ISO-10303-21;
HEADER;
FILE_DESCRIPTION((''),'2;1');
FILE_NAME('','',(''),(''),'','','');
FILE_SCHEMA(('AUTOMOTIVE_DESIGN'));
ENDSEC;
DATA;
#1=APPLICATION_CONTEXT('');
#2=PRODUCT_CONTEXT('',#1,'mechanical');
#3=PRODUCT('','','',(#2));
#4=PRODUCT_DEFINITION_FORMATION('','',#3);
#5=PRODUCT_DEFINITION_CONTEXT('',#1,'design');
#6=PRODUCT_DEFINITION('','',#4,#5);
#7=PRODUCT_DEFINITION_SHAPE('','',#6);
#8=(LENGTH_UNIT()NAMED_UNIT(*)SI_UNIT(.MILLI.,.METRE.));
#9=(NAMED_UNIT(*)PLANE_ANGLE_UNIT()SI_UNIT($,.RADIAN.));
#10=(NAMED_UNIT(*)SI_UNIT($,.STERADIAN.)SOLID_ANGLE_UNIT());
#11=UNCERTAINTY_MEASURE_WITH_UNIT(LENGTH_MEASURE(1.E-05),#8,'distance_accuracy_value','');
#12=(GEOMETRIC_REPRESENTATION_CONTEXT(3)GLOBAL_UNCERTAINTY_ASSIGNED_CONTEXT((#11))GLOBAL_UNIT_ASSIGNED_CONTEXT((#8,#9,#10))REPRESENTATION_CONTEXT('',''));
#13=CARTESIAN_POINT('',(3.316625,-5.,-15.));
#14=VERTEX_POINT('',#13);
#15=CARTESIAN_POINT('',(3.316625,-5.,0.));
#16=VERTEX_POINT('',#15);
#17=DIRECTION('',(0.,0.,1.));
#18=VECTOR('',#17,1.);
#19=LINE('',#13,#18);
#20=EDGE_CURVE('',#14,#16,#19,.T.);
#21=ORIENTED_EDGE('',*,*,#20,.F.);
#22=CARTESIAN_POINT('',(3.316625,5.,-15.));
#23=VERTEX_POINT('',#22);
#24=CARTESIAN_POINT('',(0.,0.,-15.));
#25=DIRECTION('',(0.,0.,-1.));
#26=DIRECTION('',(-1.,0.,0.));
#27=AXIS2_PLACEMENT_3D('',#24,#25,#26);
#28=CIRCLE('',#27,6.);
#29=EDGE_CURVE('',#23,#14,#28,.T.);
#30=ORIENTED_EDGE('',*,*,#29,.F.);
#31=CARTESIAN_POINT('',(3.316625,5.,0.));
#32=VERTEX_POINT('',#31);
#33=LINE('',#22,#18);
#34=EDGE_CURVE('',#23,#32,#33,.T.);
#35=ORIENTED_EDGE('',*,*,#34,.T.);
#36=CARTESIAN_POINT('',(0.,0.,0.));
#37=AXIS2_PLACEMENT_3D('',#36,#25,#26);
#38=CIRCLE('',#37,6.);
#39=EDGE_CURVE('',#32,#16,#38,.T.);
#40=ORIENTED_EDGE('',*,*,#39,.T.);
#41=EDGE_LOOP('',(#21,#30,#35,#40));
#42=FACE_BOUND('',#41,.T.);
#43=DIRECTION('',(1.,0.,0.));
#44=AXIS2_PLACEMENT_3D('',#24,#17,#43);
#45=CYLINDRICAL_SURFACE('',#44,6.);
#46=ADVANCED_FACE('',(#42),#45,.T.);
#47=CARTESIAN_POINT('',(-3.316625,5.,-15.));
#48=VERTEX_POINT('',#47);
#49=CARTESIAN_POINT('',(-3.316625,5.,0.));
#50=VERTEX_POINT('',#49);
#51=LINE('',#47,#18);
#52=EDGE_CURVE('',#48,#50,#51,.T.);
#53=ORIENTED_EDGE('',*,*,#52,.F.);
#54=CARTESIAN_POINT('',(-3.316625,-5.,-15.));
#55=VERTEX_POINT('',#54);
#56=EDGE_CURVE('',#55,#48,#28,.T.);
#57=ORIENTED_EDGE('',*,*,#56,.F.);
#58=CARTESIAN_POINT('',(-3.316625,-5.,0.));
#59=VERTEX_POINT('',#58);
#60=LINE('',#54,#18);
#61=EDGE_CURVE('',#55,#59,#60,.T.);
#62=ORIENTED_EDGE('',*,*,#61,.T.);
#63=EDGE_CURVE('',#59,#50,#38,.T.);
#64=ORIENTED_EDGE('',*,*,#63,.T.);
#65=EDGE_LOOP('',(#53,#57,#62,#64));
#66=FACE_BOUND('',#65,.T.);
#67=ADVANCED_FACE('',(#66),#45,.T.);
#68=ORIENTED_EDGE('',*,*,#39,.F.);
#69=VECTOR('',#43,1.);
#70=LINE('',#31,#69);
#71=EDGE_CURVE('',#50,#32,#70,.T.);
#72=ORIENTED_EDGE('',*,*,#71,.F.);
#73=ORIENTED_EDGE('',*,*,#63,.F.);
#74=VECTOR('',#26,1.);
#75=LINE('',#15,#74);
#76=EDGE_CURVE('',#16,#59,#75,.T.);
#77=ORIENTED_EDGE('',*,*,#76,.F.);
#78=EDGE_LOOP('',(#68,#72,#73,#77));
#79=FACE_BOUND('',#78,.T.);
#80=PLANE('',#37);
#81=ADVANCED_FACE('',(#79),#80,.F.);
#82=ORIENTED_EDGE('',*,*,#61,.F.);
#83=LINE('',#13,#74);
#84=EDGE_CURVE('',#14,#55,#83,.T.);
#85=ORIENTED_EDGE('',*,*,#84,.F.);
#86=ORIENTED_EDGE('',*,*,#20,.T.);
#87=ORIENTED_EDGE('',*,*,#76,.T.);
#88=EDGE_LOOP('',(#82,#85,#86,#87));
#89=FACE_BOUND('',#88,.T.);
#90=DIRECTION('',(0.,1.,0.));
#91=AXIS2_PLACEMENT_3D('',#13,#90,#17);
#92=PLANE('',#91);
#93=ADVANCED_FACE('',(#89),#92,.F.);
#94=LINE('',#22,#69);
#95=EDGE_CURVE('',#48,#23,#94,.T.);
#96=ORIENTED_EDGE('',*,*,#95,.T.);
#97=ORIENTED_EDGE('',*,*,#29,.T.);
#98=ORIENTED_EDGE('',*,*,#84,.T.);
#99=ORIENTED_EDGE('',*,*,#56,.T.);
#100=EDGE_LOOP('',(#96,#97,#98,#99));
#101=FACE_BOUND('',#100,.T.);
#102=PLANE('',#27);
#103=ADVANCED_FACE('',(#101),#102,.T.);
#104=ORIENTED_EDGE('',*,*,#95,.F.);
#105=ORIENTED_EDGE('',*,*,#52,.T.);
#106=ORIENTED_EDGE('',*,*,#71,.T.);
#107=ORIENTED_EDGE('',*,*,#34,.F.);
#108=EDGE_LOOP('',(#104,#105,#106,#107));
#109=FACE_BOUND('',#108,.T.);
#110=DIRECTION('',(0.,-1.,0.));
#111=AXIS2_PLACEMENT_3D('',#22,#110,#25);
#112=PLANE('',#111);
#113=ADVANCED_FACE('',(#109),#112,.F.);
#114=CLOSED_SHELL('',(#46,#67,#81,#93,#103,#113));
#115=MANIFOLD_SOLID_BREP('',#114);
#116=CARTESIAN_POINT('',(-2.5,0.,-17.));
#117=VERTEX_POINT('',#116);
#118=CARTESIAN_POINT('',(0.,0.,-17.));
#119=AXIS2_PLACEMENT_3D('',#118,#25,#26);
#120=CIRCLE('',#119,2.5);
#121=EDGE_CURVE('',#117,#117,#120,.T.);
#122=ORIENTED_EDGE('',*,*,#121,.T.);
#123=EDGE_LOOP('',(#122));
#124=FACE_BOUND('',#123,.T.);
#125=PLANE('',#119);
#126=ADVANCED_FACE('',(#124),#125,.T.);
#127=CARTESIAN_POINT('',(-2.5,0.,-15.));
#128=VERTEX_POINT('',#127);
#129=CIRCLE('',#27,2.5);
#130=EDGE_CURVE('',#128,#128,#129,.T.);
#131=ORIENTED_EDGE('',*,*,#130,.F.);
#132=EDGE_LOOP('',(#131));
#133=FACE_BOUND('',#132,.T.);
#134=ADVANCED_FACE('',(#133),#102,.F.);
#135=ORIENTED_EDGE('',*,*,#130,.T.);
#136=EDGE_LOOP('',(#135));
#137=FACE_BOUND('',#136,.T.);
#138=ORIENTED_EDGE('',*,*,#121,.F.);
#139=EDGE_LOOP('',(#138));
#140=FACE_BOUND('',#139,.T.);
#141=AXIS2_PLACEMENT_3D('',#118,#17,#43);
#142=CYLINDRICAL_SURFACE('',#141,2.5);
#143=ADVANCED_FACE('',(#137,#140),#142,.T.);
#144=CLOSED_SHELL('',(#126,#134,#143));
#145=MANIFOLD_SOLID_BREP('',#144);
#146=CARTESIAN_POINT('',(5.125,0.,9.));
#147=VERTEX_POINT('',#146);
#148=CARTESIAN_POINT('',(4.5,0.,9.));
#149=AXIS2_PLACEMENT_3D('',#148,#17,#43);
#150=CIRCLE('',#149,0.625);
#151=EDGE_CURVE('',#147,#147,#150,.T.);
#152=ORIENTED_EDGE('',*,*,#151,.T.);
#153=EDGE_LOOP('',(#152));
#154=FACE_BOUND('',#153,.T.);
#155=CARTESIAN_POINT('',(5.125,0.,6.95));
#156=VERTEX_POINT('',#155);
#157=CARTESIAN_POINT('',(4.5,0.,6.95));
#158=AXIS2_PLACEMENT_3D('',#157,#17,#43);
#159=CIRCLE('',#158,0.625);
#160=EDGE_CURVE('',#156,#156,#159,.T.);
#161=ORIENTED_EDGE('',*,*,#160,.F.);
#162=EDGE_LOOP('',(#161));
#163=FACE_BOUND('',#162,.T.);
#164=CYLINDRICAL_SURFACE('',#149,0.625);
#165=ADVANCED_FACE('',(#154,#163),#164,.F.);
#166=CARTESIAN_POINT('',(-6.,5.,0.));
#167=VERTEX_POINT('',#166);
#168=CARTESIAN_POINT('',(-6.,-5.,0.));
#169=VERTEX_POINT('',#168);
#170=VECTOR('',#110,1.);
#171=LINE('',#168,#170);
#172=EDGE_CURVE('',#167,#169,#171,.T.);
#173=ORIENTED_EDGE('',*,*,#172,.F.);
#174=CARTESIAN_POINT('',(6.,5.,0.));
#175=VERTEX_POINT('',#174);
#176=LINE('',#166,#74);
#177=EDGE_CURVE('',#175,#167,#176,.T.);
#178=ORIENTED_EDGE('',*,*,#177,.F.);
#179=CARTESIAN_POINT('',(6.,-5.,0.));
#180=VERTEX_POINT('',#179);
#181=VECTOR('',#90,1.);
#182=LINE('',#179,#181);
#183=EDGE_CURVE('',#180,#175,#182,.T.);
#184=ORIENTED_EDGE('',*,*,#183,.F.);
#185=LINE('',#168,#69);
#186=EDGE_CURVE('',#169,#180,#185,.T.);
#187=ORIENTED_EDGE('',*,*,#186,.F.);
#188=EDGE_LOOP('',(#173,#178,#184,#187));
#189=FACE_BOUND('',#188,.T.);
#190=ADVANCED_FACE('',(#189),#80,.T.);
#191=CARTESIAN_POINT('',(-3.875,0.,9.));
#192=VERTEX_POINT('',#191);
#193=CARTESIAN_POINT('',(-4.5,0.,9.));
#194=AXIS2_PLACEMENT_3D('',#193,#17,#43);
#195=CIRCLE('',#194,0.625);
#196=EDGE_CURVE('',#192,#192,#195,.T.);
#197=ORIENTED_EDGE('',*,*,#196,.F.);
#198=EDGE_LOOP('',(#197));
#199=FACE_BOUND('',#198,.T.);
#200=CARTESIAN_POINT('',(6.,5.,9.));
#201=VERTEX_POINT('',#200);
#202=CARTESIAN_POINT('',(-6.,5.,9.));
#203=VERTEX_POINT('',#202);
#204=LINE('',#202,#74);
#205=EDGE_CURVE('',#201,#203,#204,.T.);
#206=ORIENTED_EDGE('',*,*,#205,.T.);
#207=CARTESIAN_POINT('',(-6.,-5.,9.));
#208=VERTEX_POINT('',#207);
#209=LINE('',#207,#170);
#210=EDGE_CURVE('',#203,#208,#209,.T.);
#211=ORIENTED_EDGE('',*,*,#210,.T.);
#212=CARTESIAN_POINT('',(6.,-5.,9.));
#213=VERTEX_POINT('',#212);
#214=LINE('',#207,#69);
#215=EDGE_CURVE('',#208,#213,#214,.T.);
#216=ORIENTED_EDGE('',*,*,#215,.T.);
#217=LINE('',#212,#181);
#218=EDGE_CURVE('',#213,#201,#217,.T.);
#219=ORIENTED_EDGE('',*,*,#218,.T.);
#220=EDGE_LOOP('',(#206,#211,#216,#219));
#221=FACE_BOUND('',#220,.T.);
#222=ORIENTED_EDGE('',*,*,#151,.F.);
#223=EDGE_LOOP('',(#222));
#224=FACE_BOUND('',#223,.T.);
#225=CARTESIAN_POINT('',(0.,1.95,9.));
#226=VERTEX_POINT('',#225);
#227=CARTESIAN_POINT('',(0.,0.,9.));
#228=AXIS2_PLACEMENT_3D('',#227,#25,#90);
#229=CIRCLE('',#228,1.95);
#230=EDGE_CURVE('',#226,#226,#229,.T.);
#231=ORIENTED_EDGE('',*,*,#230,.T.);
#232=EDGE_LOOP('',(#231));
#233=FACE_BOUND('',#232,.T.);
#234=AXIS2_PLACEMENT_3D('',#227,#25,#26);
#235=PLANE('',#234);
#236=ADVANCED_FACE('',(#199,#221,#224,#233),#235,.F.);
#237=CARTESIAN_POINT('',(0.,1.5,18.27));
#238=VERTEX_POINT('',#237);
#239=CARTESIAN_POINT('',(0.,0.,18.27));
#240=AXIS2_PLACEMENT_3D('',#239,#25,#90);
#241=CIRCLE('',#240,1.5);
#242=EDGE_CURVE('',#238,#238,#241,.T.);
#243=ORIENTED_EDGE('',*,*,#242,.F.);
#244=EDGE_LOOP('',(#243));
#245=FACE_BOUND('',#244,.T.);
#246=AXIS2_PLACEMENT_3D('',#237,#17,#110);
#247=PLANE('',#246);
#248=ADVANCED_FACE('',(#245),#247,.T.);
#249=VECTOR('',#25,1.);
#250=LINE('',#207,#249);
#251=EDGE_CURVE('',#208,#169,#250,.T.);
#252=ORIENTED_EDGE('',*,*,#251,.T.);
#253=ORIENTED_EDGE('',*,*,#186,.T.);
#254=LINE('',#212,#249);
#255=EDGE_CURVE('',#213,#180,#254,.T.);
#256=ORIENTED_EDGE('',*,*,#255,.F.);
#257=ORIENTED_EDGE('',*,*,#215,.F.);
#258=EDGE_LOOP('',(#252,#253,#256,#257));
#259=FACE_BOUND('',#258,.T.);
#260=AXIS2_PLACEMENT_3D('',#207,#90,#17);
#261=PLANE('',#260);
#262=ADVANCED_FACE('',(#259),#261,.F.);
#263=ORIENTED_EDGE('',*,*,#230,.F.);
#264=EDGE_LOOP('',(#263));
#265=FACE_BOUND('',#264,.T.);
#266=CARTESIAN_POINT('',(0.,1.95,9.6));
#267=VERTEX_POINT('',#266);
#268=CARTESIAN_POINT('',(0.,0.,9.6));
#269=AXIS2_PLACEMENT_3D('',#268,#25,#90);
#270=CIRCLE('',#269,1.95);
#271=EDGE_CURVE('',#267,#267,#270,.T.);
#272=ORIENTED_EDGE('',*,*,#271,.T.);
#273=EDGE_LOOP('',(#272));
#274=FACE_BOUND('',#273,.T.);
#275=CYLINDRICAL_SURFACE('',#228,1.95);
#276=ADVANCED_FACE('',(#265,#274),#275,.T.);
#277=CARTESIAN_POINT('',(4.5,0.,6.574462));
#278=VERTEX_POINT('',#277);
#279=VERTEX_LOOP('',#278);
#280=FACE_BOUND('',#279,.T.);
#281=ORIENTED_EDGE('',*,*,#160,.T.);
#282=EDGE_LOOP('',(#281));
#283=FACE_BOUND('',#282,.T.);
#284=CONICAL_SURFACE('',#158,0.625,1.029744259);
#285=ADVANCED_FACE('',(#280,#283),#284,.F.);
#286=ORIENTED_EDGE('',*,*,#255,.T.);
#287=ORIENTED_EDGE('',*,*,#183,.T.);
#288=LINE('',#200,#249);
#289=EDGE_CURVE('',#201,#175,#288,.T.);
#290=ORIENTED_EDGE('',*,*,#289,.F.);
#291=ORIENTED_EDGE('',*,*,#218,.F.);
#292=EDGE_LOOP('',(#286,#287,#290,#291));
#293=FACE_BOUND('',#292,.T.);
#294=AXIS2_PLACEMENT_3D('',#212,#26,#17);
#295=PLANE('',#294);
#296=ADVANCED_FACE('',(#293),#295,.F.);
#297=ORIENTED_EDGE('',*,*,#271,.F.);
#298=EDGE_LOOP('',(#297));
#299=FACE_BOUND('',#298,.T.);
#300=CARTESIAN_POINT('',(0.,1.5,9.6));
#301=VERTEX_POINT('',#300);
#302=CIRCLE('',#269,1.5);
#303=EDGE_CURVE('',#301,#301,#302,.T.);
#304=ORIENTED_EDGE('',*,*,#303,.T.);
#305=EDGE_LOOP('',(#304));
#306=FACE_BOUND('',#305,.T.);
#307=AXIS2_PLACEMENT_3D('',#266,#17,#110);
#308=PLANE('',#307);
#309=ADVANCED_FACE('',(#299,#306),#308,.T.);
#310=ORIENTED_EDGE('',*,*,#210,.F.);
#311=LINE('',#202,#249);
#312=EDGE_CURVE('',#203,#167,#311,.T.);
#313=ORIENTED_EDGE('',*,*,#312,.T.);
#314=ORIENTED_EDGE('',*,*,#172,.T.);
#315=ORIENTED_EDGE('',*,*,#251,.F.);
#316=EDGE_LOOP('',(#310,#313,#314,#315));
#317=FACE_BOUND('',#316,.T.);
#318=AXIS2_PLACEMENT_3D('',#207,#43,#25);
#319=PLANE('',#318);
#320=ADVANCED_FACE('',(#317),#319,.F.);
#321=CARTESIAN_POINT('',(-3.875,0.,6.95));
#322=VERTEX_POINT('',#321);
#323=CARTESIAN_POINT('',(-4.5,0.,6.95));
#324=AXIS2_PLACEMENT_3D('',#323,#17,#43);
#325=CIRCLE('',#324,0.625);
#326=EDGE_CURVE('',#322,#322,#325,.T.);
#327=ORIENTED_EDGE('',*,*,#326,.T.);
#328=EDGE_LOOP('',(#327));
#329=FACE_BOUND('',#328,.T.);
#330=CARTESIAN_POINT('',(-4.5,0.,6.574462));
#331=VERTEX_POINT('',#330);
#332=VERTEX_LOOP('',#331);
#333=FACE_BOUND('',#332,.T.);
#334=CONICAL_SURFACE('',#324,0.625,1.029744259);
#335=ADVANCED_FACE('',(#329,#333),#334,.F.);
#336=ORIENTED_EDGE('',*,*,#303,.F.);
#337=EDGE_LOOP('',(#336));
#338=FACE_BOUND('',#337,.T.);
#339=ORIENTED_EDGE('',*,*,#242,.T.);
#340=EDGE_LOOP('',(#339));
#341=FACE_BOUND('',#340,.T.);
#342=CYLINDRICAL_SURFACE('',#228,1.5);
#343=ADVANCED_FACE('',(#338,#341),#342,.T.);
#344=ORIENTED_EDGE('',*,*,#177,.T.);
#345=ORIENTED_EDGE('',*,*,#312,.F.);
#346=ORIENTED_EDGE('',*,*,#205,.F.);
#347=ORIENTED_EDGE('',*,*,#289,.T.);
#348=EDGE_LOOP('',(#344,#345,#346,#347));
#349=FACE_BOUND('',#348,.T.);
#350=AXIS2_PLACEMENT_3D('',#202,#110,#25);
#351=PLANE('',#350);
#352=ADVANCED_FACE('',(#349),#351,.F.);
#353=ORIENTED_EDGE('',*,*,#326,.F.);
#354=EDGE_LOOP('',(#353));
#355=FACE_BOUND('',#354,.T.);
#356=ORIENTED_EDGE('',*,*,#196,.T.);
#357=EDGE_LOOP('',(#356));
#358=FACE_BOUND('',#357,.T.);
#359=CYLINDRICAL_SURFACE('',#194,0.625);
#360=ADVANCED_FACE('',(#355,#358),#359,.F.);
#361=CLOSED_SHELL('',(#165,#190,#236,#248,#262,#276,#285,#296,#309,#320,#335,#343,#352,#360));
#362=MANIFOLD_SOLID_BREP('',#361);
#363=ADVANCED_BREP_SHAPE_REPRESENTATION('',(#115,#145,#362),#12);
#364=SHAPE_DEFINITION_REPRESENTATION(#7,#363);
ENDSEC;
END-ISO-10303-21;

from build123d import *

# Parameters (mm, degrees)
SKETCH1_W                         = 12
SKETCH1_H                         = 10
BOSS_EXTRUDE1_DEPTH               = 9
BOSS_EXTRUDE2_DEPTH               = 15
SKETCH4_R                         = 2.5
BOSS_EXTRUDE3_DEPTH               = 2
M1_6X0_35_TAPPED_HOLE1_AT_2_COUNT = 2
M1_6X0_35_TAPPED_HOLE1_AT_2_PITCH = 9


with BuildPart() as part:
    # Sketch1 → Boss-Extrude1 (new body)
    with BuildSketch(Plane.XY):
        Rectangle(SKETCH1_W, SKETCH1_H)
    extrude(amount=BOSS_EXTRUDE1_DEPTH)

    # Sketch2 → Revolve1 (revolve)
    with BuildSketch(Plane(origin=(0, 0, 0), x_dir=(0, 0, -1), z_dir=(1, 0, 0))):
        Polygon((-9, 0), (-9, 1.95), (-9.6, 1.95), (-9.6, 1.5), (-18.27, 1.5), (-18.27, 0), align=None)
    revolve(axis=Axis((0, 0, 9), (0, 0, 1)))

    # Sketch5 → M1.6x0.35 Tapped Hole1 (revolve, cut)
    with BuildSketch(Plane(origin=(-4.5, 0, 9), x_dir=(0, -1, 0), z_dir=(1, 0, 0))):
        Polygon((0, 0), (0, 2.425537887), (0.625, 2.05), (0.625, 0), align=None)
    m1_6x0_35_tapped_hole1 = revolve(axis=Axis((-4.5, 0, 15.35), (0, 0, -1)), mode=Mode.SUBTRACT)

    # M1.6x0.35 Tapped Hole1 at 2: M1.6x0.35 Tapped Hole1 ×2
    with Locations(*[(i * M1_6X0_35_TAPPED_HOLE1_AT_2_PITCH, 0, 0) for i in range(1, M1_6X0_35_TAPPED_HOLE1_AT_2_COUNT)]):
        add(m1_6x0_35_tapped_hole1, mode=Mode.SUBTRACT)


with BuildPart() as body_2:
    # Sketch3 → Boss-Extrude2 (new body)
    with BuildSketch(Plane(origin=(0, 0, 0), x_dir=(-1, 0, 0), z_dir=(0, 0, -1))):
        with BuildLine():
            Line((-3.31662479, 5), (3.31662479, 5))
            ThreePointArc((3.31662479, 5), (6, 0), (3.31662479, -5))
            Line((3.31662479, -5), (-3.31662479, -5))
            ThreePointArc((-3.31662479, -5), (-6, 0), (-3.31662479, 5))
        make_face()
    extrude(amount=BOSS_EXTRUDE2_DEPTH)


with BuildPart() as body_3:
    # Sketch4 → Boss-Extrude3 (new body)
    with BuildSketch(Plane(origin=(0, 0, -15), x_dir=(-1, 0, 0), z_dir=(0, 0, -1))):
        Circle(SKETCH4_R)
    extrude(amount=BOSS_EXTRUDE3_DEPTH)


solid = Compound([part.part, body_2.part, body_3.part])
